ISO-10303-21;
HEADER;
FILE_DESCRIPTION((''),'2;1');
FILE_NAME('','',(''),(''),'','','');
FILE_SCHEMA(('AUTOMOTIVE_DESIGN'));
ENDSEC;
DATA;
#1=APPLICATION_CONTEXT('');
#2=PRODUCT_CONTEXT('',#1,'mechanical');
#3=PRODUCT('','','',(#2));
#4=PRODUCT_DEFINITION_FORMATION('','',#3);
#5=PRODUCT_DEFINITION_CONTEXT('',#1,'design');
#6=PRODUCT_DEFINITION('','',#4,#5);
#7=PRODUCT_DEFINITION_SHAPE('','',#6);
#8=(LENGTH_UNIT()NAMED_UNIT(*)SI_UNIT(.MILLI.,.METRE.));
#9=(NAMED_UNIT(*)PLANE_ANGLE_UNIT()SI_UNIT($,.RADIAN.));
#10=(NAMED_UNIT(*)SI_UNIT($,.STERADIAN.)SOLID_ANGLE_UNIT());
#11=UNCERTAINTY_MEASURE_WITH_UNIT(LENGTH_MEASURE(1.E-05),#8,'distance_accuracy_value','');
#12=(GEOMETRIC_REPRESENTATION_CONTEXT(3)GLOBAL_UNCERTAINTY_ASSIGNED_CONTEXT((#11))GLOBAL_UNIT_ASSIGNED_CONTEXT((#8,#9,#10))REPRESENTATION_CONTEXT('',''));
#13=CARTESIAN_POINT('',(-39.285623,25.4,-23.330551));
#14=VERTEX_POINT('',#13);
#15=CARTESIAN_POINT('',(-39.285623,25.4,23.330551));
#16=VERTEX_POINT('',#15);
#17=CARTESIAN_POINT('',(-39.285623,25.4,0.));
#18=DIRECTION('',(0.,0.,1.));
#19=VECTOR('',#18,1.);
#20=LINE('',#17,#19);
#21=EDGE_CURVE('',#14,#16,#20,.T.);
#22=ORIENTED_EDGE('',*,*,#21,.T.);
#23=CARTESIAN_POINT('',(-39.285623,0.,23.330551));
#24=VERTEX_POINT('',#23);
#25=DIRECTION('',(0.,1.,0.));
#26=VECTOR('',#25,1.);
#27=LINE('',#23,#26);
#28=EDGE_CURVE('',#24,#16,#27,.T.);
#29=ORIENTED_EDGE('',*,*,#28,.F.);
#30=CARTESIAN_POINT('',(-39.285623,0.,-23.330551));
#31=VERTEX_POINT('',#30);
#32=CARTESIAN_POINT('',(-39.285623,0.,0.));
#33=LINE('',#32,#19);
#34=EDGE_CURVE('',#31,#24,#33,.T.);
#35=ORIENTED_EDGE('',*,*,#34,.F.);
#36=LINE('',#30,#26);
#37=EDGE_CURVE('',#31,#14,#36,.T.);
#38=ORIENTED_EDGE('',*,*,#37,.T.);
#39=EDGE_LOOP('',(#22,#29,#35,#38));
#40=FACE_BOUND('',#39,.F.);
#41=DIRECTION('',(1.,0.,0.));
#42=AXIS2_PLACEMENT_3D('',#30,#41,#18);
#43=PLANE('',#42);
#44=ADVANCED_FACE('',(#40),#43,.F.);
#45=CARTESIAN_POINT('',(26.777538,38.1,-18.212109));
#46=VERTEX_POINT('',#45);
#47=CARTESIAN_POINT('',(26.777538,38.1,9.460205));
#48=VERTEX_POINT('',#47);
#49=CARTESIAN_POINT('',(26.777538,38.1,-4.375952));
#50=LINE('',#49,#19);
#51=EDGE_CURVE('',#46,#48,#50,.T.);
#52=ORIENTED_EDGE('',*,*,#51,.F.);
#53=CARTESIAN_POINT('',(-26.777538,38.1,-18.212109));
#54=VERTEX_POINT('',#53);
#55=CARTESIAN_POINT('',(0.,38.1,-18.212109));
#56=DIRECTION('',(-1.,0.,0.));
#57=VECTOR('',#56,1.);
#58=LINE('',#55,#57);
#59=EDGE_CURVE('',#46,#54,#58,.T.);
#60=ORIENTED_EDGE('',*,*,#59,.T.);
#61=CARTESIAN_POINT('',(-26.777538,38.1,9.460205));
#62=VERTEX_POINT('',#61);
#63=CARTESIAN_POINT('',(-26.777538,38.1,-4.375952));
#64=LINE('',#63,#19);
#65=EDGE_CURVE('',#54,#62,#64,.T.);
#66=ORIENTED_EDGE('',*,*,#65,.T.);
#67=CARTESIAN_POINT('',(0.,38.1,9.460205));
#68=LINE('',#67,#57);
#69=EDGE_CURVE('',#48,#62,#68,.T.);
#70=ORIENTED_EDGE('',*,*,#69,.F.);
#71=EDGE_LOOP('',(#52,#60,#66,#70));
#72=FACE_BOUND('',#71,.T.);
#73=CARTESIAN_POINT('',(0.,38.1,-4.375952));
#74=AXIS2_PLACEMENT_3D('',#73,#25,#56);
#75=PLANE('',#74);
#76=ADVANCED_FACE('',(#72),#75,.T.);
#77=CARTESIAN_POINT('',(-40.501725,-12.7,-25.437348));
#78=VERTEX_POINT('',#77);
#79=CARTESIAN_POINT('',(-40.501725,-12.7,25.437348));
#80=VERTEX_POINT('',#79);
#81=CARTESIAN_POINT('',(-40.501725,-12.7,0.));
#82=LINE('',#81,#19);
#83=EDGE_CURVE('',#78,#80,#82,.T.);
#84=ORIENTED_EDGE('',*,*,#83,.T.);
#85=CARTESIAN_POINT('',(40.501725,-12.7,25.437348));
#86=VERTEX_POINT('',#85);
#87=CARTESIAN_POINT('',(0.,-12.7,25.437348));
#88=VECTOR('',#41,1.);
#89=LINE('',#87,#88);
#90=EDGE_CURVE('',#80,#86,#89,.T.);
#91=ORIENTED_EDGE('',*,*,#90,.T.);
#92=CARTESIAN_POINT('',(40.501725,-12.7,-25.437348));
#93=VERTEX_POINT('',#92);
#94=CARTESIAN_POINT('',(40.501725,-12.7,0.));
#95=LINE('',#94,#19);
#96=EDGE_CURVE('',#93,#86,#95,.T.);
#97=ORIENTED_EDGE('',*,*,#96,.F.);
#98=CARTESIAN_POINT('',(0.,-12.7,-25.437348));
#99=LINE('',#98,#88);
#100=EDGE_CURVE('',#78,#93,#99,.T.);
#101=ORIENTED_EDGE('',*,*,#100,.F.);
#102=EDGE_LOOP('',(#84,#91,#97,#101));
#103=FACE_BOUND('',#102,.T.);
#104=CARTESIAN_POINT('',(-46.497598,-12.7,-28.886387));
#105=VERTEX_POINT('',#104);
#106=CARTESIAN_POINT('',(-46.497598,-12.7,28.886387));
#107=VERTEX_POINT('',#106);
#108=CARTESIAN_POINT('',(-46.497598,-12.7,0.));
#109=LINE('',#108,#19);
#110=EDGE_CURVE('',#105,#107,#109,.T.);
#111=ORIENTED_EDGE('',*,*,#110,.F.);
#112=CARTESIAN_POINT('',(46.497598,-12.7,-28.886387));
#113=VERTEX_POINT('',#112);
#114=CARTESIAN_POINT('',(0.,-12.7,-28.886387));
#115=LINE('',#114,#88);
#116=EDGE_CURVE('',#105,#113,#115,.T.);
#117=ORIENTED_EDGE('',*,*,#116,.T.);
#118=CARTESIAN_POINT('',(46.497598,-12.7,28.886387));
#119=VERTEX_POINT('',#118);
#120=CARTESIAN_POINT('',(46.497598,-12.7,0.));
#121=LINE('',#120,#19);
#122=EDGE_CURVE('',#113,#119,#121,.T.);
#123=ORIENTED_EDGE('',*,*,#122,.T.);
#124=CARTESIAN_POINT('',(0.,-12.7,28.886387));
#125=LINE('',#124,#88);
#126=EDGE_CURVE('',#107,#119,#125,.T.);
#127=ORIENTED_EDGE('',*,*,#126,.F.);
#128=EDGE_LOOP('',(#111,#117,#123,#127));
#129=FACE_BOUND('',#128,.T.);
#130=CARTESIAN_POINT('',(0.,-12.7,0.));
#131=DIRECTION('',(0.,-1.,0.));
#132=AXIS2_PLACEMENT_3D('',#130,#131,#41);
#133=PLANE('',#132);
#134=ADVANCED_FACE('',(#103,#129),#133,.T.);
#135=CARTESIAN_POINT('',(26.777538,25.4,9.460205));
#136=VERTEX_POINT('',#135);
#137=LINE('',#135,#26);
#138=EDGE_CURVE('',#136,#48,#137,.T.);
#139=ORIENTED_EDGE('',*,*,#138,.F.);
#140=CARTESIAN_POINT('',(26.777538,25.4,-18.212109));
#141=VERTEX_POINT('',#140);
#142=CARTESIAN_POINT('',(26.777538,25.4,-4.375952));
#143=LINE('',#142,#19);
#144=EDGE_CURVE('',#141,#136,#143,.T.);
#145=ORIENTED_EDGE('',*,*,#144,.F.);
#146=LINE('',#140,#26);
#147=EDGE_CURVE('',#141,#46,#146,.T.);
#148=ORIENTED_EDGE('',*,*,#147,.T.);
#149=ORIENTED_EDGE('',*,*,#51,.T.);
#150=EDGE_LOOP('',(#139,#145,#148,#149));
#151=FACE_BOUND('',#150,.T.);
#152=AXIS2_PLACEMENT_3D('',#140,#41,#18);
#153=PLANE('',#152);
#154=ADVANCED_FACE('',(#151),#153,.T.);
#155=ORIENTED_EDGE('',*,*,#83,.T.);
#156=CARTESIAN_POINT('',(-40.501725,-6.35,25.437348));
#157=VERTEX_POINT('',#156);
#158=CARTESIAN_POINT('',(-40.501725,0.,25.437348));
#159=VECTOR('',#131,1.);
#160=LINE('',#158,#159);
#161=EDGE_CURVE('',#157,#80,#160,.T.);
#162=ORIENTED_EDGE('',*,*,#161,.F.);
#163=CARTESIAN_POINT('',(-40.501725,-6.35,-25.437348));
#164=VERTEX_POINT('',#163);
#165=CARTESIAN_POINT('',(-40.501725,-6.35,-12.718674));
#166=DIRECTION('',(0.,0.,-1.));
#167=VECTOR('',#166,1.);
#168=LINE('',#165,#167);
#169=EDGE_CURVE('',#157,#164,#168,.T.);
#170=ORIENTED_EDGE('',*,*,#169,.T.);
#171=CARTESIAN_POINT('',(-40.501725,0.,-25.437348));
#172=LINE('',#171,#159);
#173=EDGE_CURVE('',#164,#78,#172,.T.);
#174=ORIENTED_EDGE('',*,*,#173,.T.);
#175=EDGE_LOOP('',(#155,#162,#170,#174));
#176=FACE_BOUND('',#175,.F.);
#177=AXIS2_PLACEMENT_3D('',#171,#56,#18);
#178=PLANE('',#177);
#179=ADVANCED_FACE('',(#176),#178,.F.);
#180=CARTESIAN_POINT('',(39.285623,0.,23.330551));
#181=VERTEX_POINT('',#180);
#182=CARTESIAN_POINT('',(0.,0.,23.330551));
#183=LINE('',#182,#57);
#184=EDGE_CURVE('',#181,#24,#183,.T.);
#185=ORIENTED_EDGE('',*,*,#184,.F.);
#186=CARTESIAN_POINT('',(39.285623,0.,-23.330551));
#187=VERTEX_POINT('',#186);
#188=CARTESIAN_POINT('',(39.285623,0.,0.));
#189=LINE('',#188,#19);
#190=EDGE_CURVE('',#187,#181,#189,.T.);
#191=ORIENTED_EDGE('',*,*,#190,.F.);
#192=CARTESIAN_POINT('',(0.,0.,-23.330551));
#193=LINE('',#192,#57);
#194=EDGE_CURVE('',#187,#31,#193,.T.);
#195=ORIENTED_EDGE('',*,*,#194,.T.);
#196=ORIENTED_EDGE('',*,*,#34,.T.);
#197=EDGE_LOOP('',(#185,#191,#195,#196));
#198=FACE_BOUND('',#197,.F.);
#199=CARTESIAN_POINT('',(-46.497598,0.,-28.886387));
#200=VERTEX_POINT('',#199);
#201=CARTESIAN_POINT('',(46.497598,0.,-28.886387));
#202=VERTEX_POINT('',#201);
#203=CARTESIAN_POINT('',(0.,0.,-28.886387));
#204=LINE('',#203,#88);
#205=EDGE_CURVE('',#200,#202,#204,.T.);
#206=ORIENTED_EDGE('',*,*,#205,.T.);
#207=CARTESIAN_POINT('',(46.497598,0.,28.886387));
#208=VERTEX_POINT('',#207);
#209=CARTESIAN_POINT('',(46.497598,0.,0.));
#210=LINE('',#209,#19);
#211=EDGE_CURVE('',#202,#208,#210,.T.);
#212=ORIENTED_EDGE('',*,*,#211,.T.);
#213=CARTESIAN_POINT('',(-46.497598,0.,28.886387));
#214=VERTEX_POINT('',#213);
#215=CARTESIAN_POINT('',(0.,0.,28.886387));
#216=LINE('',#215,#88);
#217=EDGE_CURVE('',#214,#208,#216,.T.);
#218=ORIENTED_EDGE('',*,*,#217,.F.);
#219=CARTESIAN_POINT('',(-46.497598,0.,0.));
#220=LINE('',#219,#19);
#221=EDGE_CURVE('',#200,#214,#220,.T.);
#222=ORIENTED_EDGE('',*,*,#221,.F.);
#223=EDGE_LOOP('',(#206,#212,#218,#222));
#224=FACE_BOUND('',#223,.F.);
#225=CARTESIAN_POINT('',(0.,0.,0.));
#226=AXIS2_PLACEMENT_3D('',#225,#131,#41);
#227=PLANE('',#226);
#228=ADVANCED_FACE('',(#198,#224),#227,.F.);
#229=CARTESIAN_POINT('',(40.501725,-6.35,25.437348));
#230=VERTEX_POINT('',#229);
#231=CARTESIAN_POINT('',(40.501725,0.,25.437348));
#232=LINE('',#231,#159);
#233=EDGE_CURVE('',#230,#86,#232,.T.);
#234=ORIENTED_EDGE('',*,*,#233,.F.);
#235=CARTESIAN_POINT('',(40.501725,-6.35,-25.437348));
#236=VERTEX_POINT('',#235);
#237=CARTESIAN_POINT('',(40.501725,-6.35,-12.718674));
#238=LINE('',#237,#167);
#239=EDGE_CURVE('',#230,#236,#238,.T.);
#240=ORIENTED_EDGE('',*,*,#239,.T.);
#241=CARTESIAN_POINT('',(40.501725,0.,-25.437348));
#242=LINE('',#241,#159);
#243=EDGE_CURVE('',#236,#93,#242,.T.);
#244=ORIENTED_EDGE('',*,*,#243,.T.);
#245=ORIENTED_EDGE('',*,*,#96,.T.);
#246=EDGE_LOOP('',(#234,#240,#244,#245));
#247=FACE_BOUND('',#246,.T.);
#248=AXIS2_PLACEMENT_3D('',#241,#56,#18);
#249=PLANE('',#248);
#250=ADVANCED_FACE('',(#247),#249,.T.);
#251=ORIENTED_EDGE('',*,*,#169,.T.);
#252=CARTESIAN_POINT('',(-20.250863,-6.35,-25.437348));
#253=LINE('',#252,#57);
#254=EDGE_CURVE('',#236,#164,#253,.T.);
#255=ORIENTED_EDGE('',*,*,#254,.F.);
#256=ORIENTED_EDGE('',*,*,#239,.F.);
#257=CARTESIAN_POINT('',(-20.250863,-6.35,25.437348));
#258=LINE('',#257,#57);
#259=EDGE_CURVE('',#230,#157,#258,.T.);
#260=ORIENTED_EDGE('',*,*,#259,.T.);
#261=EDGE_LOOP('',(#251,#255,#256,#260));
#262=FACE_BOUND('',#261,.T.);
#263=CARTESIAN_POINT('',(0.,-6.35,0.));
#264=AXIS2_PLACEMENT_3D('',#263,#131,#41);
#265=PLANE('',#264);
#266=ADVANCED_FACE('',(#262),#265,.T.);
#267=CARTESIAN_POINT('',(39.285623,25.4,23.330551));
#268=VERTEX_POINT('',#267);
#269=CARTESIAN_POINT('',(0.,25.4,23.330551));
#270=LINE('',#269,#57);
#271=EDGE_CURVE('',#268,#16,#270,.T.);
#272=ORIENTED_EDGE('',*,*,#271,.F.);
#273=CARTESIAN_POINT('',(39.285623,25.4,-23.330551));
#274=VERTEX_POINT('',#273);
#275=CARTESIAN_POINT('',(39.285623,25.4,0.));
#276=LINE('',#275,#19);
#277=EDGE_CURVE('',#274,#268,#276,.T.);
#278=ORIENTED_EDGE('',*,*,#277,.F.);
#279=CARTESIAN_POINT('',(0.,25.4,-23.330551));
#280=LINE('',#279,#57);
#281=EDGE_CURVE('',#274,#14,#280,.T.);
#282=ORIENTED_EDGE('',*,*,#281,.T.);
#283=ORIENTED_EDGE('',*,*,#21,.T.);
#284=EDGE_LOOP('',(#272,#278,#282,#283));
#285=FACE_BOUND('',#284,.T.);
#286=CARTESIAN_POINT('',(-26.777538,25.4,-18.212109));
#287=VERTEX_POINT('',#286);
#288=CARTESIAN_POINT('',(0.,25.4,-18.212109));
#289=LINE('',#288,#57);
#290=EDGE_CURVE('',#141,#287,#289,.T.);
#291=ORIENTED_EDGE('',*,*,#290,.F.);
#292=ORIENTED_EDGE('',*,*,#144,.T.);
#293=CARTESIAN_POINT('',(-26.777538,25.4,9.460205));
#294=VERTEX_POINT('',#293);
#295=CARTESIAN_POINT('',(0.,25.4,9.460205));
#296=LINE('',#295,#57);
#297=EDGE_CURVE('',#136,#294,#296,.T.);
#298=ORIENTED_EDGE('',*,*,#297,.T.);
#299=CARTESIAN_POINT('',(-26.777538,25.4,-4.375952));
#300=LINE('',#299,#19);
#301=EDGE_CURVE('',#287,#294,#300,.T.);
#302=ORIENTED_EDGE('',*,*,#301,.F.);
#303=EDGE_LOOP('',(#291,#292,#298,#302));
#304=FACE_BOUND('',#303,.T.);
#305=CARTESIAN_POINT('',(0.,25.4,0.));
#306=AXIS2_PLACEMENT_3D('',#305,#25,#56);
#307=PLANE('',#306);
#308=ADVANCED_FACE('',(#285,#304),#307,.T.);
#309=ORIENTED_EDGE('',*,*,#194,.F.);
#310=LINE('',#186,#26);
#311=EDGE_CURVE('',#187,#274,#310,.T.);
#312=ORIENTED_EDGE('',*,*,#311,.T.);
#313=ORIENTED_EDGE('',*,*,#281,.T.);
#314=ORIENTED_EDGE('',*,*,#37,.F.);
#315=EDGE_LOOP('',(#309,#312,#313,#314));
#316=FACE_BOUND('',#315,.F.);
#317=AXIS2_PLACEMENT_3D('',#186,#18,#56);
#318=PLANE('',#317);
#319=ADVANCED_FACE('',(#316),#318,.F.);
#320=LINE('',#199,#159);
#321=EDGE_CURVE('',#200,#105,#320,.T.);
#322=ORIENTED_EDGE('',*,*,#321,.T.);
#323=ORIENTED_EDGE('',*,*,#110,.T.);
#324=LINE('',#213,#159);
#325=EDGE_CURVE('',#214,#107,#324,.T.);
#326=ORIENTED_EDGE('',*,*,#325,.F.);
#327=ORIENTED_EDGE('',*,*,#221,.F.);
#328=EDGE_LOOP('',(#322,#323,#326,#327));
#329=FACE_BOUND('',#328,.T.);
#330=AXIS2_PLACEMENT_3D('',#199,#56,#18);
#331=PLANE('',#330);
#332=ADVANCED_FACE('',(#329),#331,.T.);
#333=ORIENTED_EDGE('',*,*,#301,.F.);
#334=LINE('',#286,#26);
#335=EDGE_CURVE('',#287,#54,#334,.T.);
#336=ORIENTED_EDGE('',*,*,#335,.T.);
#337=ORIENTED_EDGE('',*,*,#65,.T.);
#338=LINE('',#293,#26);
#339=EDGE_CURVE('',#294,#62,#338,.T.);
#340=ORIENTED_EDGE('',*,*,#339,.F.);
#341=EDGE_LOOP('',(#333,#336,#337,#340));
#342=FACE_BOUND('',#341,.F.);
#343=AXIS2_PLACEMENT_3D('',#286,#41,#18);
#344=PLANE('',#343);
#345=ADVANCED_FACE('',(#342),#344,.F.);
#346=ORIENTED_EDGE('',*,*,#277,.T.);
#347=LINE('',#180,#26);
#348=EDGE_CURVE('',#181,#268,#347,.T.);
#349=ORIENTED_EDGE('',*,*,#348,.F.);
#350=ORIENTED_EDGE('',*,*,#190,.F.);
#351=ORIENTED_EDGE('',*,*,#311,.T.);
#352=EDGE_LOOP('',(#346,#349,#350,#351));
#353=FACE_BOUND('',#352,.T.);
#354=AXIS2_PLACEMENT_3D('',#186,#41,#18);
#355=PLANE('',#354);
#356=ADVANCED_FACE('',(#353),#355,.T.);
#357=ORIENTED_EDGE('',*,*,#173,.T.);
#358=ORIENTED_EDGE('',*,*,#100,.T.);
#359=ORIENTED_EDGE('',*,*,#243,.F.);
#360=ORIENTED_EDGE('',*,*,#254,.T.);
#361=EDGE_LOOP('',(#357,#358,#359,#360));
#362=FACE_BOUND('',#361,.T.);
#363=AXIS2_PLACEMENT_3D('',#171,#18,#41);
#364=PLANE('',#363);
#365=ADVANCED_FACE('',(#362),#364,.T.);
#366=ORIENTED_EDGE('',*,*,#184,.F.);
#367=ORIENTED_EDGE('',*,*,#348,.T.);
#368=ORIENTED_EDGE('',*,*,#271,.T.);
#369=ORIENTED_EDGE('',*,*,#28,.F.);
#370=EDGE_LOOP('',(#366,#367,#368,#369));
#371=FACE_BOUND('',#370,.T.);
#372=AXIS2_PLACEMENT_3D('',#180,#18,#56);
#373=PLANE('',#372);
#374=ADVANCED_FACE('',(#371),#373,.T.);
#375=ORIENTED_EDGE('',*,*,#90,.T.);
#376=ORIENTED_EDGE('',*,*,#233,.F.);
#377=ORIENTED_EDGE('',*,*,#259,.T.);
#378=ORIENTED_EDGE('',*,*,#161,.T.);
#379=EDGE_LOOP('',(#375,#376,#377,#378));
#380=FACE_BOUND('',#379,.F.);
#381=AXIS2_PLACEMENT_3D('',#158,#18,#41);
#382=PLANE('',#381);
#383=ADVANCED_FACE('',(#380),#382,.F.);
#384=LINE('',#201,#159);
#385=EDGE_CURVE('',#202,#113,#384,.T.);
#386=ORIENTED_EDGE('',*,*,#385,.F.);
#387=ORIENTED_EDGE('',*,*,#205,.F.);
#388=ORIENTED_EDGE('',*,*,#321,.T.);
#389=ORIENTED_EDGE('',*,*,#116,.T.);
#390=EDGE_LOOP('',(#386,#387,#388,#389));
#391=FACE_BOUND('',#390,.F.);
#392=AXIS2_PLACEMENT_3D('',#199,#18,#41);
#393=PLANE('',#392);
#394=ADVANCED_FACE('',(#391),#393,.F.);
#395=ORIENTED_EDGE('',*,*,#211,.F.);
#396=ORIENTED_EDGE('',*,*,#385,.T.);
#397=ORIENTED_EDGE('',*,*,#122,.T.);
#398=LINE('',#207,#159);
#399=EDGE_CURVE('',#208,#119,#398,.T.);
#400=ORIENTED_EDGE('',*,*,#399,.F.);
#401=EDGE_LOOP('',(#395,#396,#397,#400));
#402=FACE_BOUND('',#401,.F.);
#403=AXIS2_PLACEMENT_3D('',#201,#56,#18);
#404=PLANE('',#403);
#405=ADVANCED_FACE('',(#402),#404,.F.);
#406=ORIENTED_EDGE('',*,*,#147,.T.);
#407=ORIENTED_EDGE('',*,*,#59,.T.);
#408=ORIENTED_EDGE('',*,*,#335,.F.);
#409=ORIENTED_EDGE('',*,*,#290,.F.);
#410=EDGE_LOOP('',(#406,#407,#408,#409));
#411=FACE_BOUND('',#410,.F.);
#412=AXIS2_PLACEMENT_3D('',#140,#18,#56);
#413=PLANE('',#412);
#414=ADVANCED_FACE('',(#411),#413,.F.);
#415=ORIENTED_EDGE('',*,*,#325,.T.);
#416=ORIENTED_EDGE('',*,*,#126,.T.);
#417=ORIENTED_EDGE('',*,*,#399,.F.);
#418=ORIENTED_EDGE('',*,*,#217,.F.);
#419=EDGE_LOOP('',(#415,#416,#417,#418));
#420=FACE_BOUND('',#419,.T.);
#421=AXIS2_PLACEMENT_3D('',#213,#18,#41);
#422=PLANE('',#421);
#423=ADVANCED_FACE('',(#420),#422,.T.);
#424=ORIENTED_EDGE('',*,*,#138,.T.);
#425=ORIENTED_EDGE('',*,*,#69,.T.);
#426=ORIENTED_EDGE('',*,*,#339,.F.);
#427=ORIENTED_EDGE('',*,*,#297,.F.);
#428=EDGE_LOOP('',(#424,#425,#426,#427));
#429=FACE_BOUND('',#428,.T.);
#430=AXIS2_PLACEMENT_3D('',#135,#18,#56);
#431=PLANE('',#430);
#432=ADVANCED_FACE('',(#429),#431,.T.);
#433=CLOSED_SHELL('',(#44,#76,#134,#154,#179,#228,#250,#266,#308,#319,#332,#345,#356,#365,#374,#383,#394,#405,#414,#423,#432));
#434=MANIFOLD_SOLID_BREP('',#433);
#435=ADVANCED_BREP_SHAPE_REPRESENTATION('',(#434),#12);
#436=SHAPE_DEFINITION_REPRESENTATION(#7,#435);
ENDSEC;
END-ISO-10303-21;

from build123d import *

# Parameters (mm, degrees)
F0_W     = 81.626944
F0_H     = 51.38012
F1_DEPTH = 6.35
F2_W     = 92.995196
F2_H     = 57.772774
F2_W_2   = 81.00345
F2_H_2   = 50.874696
F3_DEPTH = 12.7
F4_W     = 78.571246
F4_H     = 46.661102
F5_DEPTH = 25.4
F6_W     = 53.555076
F6_H     = 27.672314
F7_DEPTH = 12.7


with BuildPart() as f1:
    # F0 (on Front) → F1 (new body)
    with BuildSketch(Plane.XZ):
        Rectangle(F0_W, F0_H)
    extrude(amount=F1_DEPTH)

    # F2 (on Front) → F3 (join)
    with BuildSketch(Plane.XZ):
        Rectangle(F2_W, F2_H)
        Rectangle(F2_W_2, F2_H_2, mode=Mode.SUBTRACT)
    extrude(amount=F3_DEPTH)

    # F4 (on face) → F5 (join)
    with BuildSketch(Plane(origin=(0, 0, 0), x_dir=(-1, 0, 0), z_dir=(0, 1, 0))):
        Rectangle(F4_W, F4_H)
    extrude(amount=F5_DEPTH)

    # F6 (on face) → F7 (join)
    with BuildSketch(Plane(origin=(0, 25.4, 0), x_dir=(-1, 0, 0), z_dir=(0, 1, 0))):
        with Locations((0, -4.375952)):
            Rectangle(F6_W, F6_H)
    extrude(amount=F7_DEPTH)


solid = f1.part
